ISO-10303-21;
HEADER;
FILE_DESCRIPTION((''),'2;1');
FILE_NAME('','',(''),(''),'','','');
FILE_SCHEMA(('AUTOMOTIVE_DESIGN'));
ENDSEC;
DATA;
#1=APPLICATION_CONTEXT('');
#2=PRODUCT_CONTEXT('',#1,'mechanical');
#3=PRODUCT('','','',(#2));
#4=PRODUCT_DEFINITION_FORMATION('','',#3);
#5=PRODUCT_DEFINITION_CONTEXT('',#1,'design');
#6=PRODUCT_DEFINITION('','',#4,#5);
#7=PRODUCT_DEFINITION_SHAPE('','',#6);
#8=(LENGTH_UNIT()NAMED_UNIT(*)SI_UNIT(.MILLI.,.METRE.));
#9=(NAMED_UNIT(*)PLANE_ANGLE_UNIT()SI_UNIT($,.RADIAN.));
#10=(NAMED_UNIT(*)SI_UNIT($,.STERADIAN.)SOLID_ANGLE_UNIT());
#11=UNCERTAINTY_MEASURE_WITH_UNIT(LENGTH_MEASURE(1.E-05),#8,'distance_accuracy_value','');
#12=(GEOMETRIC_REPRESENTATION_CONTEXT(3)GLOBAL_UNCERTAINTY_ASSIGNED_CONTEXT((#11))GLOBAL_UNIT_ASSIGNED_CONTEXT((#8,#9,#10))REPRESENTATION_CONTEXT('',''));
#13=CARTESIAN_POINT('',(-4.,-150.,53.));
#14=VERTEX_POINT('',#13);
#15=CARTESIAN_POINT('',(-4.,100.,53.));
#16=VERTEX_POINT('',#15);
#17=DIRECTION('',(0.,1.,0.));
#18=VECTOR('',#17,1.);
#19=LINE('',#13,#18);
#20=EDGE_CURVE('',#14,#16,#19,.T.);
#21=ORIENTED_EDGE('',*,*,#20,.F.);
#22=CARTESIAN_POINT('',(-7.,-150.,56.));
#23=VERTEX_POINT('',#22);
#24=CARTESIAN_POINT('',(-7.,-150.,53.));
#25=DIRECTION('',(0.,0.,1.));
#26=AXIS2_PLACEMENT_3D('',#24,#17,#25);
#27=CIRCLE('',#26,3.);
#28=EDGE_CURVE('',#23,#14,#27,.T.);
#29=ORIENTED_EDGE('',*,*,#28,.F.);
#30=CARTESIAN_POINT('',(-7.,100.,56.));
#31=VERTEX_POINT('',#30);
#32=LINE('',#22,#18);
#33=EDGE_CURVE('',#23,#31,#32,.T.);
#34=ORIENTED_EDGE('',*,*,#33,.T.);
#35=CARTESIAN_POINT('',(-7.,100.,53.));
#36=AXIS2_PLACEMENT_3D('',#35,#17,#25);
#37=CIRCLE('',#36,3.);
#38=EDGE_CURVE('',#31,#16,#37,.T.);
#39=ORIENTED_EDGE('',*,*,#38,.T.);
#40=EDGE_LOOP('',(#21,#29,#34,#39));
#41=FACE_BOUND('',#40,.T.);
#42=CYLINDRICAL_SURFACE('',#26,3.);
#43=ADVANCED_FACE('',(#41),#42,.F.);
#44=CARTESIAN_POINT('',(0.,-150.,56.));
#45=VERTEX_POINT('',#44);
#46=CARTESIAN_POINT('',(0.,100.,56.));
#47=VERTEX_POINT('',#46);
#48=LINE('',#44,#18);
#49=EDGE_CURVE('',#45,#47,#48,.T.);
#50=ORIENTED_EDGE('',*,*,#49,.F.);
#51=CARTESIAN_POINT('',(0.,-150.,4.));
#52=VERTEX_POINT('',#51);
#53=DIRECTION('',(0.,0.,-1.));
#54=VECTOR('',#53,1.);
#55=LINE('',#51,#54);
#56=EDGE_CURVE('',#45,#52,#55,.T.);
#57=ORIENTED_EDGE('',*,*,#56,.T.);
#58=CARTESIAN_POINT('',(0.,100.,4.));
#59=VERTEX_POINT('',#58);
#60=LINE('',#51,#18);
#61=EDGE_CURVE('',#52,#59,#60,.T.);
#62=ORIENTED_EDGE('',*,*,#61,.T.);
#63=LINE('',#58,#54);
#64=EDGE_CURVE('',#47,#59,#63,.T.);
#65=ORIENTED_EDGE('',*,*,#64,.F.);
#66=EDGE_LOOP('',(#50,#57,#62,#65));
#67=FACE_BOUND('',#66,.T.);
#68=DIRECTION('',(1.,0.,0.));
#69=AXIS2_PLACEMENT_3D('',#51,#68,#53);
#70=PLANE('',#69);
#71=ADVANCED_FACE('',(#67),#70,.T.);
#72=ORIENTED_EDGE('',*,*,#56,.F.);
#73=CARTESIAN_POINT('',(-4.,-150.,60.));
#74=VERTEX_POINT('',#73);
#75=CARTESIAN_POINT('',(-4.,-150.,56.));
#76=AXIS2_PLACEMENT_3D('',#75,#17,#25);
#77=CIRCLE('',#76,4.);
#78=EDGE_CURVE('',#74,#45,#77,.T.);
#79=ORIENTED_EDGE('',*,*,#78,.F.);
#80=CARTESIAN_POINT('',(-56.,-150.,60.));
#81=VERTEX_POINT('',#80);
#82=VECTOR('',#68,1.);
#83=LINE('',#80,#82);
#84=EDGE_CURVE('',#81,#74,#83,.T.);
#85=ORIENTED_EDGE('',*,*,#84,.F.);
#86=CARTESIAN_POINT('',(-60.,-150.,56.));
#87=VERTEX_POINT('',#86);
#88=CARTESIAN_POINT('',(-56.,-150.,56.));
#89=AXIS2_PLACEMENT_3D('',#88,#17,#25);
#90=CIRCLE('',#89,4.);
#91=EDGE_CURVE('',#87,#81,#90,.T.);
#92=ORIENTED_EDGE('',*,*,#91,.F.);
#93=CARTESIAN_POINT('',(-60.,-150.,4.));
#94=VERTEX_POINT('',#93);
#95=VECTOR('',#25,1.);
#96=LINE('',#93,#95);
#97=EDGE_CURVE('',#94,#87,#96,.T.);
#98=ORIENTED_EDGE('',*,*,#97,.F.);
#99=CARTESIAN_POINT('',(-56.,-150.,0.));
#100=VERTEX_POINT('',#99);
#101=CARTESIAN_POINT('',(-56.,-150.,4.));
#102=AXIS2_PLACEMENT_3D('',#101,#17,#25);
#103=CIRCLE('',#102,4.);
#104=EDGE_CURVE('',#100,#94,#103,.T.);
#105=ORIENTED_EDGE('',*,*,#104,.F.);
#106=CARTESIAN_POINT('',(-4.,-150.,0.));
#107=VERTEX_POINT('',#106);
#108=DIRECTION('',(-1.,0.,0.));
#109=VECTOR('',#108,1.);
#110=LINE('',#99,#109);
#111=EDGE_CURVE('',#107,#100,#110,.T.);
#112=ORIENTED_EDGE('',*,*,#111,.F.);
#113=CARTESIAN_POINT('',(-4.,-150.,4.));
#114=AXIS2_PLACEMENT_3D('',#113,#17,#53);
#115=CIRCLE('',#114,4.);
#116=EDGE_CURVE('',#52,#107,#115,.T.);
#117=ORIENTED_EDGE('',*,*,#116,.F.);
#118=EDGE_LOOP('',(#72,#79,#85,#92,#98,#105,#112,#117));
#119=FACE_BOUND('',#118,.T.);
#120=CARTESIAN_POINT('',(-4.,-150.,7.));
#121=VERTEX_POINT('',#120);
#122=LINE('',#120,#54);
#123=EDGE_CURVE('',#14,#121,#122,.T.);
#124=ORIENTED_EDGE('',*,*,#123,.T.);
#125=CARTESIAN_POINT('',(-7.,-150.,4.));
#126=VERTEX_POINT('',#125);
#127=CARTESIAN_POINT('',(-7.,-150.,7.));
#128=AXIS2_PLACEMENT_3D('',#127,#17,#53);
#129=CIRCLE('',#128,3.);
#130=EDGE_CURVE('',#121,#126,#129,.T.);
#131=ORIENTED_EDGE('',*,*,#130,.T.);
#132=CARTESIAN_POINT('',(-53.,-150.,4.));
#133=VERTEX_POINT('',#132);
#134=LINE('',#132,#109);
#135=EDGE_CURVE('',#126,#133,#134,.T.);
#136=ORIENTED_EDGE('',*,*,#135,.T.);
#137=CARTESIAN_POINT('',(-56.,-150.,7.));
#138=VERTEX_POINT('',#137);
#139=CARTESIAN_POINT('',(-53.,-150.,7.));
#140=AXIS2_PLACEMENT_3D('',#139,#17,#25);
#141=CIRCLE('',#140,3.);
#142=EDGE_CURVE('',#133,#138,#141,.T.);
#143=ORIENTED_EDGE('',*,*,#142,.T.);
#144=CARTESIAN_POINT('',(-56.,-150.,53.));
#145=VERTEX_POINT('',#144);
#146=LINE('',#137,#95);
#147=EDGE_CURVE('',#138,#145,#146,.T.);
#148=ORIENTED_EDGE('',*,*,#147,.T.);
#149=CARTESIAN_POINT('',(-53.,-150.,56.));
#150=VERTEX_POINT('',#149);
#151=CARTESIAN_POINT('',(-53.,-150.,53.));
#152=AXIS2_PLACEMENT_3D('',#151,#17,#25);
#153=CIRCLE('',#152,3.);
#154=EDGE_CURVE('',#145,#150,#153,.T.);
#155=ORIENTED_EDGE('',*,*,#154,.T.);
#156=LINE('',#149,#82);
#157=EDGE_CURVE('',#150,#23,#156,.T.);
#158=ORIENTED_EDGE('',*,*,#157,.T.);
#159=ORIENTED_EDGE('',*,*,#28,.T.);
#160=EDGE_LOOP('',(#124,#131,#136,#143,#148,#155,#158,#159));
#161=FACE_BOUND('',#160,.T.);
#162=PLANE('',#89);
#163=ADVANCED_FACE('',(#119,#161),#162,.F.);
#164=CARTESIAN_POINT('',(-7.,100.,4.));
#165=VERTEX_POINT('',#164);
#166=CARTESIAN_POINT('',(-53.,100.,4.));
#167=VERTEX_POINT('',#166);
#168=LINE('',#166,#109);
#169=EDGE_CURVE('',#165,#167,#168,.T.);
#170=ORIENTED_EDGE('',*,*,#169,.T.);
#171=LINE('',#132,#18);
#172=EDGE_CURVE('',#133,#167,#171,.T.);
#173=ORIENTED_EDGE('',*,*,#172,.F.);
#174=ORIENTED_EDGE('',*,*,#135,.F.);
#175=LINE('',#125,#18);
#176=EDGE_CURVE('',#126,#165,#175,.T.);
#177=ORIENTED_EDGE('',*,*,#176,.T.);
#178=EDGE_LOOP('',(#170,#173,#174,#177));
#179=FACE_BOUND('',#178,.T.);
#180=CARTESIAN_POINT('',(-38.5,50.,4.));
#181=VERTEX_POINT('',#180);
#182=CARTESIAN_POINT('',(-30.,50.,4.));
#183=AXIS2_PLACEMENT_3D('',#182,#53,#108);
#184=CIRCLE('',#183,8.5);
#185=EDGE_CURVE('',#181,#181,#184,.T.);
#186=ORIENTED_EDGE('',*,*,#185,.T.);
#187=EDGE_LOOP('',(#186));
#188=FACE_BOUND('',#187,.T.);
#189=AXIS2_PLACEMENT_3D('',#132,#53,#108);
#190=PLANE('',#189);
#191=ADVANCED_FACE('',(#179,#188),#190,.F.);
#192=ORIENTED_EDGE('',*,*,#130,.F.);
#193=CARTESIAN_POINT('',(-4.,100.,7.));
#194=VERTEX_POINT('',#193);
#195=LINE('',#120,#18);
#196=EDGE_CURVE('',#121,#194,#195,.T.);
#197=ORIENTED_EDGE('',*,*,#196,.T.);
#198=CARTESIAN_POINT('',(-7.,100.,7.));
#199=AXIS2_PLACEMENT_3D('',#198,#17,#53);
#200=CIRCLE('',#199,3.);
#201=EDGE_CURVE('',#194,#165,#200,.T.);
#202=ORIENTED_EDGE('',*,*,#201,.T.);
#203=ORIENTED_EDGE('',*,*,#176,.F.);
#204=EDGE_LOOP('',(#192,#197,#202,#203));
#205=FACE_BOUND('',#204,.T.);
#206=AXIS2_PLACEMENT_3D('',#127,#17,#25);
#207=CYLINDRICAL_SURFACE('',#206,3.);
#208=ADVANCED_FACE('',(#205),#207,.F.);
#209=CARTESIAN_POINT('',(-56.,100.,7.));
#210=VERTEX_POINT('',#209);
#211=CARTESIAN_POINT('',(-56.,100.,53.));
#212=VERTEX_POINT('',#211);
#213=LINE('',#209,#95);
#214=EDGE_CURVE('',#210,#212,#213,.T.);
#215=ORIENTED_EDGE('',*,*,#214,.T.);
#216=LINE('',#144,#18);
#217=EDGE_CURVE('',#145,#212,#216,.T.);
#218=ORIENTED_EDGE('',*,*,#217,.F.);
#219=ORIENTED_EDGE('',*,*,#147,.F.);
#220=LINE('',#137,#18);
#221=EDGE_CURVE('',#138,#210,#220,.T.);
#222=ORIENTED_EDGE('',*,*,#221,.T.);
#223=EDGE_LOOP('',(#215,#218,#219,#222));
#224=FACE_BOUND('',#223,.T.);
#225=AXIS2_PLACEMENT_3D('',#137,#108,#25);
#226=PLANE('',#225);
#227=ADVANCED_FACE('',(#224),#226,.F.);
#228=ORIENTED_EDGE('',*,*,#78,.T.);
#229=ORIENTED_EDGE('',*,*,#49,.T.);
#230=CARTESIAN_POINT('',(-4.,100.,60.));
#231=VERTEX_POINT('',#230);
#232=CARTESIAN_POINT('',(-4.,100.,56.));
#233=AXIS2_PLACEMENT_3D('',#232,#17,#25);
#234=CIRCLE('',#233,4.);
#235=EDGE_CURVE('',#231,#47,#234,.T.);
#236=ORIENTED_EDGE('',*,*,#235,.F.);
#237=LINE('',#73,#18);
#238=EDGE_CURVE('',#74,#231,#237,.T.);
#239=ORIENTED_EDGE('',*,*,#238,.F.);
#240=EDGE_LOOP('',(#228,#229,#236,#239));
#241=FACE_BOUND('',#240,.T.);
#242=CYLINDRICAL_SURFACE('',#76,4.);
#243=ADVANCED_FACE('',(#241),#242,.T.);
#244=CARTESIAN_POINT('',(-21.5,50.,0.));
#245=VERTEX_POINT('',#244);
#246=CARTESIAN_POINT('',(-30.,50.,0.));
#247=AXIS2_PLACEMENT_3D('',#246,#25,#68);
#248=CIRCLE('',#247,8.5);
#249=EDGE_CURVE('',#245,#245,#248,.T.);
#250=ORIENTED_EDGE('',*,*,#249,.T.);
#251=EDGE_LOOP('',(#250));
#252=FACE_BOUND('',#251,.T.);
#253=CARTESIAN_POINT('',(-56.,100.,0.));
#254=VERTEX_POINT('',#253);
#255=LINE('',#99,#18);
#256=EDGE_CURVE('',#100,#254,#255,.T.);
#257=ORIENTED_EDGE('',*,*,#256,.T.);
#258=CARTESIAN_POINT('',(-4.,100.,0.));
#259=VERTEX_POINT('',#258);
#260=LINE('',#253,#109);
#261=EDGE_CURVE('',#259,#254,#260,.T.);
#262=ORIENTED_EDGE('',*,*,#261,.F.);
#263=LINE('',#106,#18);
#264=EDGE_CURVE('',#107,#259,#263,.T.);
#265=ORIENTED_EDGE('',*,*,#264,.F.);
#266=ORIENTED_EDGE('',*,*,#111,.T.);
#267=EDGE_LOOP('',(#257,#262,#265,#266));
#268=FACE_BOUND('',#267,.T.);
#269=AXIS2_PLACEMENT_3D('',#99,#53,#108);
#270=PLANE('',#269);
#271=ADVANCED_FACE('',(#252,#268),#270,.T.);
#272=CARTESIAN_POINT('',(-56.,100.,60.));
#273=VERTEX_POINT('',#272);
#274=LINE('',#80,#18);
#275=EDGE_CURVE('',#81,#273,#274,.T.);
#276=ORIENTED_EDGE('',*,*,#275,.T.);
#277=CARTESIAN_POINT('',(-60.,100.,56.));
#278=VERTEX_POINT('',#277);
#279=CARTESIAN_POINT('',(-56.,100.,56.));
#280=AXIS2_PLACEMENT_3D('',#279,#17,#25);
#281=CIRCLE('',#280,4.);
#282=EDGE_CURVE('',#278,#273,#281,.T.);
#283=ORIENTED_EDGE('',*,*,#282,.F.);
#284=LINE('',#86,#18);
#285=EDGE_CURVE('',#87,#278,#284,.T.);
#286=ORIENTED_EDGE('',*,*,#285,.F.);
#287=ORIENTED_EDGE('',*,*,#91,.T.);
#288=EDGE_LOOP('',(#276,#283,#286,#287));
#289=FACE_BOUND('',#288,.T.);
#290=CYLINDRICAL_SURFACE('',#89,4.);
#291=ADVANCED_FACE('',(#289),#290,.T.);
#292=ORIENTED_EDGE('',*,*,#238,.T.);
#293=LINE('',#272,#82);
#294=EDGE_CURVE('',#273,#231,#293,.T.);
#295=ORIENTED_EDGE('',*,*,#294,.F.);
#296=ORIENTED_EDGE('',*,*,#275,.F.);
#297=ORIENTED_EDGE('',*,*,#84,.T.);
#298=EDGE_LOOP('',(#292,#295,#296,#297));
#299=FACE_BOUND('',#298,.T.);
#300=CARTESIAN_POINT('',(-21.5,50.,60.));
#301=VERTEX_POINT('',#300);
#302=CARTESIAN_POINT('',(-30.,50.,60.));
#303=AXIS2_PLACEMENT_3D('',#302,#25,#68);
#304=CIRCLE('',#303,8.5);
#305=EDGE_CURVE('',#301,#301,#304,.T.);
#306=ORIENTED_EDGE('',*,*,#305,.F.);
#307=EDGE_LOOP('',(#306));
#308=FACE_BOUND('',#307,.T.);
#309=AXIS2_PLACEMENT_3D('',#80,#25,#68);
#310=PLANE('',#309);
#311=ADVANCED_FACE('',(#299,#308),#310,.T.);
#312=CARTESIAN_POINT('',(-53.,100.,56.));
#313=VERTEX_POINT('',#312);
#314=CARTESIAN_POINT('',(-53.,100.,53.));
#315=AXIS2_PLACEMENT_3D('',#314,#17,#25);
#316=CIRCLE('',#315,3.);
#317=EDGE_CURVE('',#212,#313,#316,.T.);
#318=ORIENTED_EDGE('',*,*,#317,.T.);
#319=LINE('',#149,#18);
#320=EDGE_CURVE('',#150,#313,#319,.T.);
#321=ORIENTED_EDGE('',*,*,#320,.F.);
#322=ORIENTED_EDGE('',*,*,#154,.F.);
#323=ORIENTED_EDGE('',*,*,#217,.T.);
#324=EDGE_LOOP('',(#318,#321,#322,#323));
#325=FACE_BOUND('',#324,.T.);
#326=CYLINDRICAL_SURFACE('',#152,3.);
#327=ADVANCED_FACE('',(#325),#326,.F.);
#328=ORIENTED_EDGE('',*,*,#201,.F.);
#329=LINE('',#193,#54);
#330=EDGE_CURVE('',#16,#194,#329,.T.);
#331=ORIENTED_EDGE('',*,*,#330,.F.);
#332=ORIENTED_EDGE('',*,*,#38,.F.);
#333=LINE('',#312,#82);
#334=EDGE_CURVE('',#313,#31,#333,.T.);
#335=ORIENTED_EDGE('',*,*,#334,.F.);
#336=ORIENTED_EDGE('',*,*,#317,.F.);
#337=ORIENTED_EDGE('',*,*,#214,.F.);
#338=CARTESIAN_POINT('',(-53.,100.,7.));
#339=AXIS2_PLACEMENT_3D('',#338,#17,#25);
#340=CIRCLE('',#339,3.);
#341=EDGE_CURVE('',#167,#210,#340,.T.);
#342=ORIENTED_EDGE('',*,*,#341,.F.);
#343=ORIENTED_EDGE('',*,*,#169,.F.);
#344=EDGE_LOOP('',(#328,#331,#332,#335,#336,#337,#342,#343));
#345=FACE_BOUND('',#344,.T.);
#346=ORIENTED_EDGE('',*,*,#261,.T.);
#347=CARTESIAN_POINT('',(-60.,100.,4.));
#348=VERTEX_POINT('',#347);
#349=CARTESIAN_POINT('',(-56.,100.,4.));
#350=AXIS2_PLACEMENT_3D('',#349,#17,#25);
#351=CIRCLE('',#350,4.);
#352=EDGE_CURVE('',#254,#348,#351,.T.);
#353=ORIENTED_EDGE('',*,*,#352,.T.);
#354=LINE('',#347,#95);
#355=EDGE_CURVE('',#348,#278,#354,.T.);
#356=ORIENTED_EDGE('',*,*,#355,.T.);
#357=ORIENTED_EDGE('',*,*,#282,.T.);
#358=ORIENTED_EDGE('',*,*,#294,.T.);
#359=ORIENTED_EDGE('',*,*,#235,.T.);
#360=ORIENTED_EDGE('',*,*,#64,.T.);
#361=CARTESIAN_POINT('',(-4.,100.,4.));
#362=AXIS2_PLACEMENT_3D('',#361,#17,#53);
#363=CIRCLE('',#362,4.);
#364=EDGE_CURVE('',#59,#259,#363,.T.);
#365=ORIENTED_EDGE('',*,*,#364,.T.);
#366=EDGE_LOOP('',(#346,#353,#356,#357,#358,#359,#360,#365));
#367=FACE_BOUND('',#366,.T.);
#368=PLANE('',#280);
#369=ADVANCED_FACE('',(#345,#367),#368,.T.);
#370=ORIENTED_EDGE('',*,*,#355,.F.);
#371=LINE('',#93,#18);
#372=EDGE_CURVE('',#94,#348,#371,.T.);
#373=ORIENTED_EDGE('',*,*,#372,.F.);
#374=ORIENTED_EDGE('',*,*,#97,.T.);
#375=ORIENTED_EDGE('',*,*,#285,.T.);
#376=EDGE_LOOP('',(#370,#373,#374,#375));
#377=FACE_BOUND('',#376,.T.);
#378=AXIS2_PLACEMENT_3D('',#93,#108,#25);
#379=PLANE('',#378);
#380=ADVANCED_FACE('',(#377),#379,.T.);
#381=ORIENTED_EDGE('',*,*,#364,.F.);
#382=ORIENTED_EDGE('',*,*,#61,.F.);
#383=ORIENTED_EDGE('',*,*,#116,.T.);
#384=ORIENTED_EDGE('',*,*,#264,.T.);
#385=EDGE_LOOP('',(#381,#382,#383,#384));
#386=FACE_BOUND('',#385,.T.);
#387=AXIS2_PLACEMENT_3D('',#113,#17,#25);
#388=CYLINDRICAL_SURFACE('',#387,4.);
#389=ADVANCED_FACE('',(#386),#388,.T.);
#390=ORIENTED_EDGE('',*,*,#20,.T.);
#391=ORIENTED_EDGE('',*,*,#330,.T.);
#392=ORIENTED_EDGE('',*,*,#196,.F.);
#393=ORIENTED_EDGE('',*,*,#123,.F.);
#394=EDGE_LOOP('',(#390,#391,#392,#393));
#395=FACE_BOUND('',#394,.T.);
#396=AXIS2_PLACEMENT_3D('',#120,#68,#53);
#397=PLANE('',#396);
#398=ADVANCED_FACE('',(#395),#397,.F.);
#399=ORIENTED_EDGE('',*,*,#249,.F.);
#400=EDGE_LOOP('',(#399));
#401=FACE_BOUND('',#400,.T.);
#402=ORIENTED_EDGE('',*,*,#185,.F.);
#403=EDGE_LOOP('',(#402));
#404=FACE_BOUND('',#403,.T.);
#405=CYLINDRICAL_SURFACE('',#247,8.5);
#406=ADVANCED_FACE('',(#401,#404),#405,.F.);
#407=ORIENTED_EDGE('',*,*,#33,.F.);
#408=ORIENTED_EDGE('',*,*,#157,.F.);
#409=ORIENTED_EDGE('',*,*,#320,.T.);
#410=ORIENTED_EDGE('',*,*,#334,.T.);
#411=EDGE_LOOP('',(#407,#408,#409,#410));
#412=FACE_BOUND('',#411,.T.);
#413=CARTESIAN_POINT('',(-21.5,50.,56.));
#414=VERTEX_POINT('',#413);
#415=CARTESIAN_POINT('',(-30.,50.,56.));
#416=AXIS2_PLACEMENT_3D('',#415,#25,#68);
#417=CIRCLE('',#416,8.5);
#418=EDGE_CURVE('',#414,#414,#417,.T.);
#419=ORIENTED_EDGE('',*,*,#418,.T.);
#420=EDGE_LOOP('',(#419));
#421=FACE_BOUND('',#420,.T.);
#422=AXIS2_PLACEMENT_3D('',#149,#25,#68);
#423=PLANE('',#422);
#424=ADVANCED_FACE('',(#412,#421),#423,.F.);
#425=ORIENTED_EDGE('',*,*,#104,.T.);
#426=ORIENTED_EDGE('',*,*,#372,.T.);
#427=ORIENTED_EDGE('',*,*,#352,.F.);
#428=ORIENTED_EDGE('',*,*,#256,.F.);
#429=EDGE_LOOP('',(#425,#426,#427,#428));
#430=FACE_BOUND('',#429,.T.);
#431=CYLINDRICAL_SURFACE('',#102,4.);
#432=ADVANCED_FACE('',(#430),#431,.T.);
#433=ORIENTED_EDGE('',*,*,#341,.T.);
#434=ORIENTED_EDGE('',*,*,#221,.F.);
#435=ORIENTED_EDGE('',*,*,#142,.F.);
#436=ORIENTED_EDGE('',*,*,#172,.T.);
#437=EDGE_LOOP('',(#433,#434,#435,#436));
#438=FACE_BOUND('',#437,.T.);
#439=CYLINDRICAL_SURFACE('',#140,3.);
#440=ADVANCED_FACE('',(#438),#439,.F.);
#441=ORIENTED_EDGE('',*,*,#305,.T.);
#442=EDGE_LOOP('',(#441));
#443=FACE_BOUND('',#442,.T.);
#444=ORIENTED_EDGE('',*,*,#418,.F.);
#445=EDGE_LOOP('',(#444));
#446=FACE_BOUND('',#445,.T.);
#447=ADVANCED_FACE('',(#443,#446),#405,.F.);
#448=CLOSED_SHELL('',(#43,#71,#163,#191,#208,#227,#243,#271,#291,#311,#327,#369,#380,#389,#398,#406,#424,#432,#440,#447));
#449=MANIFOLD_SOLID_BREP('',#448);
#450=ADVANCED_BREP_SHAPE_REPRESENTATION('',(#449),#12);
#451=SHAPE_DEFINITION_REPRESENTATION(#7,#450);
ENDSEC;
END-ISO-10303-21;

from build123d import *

# Parameters (mm, degrees)
EXTRUDE_1_DEPTH      = 100
EXTRUDE_1_DEPTH_BACK = 150
SKETCH_2_R           = 8.5
CUT_EXTRUDE_1_DEPTH  = 173.336879396


with BuildPart() as part:
    # Эскиз1 → Бобышка-Вытянуть1 (new, two sides: drawn at the far end of the back side and taken through both)
    with BuildSketch(Plane(origin=(0, 0, 0), x_dir=(1, 0, 0), z_dir=(0, 1, 0)).offset(-EXTRUDE_1_DEPTH_BACK)):
        with BuildLine():
            Line((-56, 0), (-4, 0))
            ThreePointArc((-4, 0), (-1.171572875, -1.171572875), (0, -4))
            Line((0, -4), (0, -56))
            ThreePointArc((0, -56), (-1.171572875, -58.828427125), (-4, -60))
            Line((-4, -60), (-56, -60))
            ThreePointArc((-56, -60), (-58.828427125, -58.828427125), (-60, -56))
            Line((-60, -56), (-60, -4))
            ThreePointArc((-60, -4), (-58.828427125, -1.171572875), (-56, 0))
        make_face()
        with BuildLine():
            Line((-53, -4), (-7, -4))
            ThreePointArc((-7, -4), (-4.878679656, -4.878679656), (-4, -7))
            Line((-4, -7), (-4, -53))
            ThreePointArc((-4, -53), (-4.878679656, -55.121320344), (-7, -56))
            Line((-7, -56), (-53, -56))
            ThreePointArc((-53, -56), (-55.121320344, -55.121320344), (-56, -53))
            Line((-56, -53), (-56, -7))
            ThreePointArc((-56, -7), (-55.121320344, -4.878679656), (-53, -4))
        make_face(mode=Mode.SUBTRACT)
    extrude(amount=EXTRUDE_1_DEPTH + EXTRUDE_1_DEPTH_BACK)

    # Эскиз2 → Вырез-Вытянуть1 (cut, through all)
    with BuildSketch(Plane.XY.offset(60)):
        with Locations((-30, 50)):
            Circle(SKETCH_2_R)
    extrude(amount=-CUT_EXTRUDE_1_DEPTH, mode=Mode.SUBTRACT)


solid = part.part
